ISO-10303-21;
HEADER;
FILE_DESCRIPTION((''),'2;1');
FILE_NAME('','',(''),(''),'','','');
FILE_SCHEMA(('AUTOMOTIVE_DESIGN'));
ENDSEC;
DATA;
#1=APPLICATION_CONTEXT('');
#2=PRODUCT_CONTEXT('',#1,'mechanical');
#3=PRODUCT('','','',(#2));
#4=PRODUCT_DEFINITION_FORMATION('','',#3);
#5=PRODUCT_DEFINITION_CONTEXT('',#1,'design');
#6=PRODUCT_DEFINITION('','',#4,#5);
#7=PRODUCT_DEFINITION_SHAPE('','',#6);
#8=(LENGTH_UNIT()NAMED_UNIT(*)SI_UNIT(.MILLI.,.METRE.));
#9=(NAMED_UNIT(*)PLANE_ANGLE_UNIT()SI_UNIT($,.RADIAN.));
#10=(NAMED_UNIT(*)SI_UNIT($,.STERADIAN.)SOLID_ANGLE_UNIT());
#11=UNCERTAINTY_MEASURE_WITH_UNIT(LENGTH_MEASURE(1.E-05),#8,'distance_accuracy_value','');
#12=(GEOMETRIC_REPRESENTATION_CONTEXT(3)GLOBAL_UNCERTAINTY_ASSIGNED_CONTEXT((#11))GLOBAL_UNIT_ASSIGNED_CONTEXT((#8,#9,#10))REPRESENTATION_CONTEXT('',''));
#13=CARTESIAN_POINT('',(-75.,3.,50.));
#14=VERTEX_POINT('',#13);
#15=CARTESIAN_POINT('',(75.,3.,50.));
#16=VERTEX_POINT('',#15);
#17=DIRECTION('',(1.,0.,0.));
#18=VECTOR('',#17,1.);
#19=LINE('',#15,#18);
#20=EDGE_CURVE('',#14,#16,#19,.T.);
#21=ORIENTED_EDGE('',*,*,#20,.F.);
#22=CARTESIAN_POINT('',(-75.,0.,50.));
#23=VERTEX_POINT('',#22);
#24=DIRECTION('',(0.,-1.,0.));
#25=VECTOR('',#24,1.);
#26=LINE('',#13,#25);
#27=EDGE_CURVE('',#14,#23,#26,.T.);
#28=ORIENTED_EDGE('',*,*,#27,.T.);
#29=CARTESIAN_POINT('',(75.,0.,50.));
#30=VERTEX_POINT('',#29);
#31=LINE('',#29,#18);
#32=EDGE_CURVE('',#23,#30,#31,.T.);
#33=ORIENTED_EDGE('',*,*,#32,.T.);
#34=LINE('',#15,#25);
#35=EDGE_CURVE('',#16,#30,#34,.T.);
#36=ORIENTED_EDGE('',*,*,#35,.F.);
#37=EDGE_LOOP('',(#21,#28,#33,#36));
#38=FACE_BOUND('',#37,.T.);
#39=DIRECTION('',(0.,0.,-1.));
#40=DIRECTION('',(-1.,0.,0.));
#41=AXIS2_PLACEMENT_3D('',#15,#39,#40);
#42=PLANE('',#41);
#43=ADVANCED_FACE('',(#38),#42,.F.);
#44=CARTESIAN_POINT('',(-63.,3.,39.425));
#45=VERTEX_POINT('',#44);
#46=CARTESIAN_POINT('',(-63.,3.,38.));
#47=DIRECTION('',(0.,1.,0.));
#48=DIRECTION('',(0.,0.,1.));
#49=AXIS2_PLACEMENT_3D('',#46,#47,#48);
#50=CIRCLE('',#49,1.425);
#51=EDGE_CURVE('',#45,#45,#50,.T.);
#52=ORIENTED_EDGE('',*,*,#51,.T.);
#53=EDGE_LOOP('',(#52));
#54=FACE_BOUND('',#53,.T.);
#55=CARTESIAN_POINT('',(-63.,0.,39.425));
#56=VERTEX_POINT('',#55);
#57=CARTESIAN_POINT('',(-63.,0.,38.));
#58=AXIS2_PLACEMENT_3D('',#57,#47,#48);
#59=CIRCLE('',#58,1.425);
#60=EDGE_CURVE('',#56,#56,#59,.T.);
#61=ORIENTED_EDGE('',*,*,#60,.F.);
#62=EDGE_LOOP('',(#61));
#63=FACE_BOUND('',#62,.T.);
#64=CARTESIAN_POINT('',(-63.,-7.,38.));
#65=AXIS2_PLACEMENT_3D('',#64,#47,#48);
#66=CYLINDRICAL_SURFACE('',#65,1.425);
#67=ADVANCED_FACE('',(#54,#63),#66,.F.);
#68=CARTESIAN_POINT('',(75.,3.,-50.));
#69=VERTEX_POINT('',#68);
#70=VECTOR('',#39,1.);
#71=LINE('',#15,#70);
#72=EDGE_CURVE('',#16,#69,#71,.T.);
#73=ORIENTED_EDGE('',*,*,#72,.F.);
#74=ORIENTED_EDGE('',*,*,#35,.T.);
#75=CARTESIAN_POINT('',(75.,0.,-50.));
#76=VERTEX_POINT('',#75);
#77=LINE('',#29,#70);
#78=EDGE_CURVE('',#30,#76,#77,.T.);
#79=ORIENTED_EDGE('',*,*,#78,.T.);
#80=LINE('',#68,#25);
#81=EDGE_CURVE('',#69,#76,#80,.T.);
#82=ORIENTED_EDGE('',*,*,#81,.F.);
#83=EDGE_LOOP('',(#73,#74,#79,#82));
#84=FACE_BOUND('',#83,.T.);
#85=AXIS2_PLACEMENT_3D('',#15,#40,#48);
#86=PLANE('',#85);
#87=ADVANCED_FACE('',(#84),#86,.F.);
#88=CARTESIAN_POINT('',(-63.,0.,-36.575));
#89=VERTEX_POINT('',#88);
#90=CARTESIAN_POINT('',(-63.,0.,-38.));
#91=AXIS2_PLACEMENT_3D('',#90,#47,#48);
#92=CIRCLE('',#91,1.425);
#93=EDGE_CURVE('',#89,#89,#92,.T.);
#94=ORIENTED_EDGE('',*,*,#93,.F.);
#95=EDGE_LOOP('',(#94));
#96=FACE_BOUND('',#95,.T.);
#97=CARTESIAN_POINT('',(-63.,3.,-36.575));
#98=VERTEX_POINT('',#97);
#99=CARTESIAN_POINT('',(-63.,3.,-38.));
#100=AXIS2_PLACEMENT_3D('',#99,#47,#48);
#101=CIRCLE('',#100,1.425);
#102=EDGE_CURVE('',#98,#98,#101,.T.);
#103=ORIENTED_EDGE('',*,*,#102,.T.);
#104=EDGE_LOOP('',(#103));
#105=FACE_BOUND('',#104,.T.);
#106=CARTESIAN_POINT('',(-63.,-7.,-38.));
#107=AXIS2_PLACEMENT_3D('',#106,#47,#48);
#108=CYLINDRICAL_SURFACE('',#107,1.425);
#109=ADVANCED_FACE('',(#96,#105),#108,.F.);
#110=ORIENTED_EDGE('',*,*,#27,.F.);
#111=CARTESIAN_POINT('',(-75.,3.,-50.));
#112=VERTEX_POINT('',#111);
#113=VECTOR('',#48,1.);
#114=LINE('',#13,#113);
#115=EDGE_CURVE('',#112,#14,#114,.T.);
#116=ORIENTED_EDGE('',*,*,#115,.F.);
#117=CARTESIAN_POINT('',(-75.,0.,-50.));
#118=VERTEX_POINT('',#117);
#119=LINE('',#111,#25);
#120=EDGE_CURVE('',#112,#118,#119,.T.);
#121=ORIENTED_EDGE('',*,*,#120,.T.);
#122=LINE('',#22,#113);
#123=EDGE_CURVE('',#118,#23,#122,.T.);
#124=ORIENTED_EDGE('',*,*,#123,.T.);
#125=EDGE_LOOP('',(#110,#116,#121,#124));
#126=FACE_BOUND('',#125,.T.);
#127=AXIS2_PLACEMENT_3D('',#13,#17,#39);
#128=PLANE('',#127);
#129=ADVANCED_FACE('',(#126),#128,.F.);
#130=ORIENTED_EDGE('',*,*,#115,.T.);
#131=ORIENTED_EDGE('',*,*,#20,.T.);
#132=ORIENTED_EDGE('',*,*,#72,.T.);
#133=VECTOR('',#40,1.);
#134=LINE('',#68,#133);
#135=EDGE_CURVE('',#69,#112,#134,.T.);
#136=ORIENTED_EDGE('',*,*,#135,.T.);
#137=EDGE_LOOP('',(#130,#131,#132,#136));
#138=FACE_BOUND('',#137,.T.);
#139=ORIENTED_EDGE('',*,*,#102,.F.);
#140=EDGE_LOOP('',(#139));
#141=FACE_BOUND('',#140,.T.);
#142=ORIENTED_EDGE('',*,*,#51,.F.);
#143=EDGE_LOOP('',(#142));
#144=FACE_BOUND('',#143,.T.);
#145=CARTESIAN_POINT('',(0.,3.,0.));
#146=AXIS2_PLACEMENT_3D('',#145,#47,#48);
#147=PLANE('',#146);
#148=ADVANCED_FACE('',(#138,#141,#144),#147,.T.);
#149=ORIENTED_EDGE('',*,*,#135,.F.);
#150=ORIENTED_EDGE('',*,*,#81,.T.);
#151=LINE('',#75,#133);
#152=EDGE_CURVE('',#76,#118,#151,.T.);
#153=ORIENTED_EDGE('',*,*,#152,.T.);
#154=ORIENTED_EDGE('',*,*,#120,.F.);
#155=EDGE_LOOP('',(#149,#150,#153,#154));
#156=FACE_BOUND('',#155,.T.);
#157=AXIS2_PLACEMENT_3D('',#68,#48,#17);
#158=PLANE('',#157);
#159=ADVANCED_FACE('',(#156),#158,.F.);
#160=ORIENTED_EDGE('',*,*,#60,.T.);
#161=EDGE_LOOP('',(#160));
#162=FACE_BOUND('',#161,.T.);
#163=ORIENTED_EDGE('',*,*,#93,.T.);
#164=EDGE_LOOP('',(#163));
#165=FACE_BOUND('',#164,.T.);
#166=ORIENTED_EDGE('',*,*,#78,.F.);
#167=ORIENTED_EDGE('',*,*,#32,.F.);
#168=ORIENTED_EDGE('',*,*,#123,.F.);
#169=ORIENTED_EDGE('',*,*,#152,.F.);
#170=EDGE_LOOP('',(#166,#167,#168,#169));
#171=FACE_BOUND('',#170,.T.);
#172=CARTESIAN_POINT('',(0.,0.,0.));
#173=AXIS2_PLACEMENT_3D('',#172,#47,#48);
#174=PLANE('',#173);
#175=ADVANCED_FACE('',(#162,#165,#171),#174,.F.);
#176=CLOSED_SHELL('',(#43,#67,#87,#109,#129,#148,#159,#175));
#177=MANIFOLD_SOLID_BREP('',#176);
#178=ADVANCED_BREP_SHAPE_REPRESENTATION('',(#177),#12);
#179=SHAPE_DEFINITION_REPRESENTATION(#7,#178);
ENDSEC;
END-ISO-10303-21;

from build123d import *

# Parameters (mm, degrees)
SKETCH1_W           = 150
SKETCH1_H           = 100
BOSS_EXTRUDE1_DEPTH = 3
SKETCH2_R           = 1.425
CUT_EXTRUDE1_DEPTH  = 10
LPATTERN1_COUNT     = 2
LPATTERN1_PITCH     = 76


with BuildPart() as part:
    # Sketch1 → Boss-Extrude1 (new body)
    with BuildSketch(Plane(origin=(0, 0, 0), x_dir=(1, 0, 0), z_dir=(0, 1, 0))):
        Rectangle(SKETCH1_W, SKETCH1_H)
    extrude(amount=BOSS_EXTRUDE1_DEPTH)

    # Sketch2 → Cut-Extrude1 (cut)
    with BuildSketch(Plane(origin=(0, 3, 0), x_dir=(1, 0, 0), z_dir=(0, 1, 0))):
        with Locations(Location((-63, 38, 0), (0, 0, 270))):
            Circle(SKETCH2_R)
    cut_extrude1 = extrude(amount=-CUT_EXTRUDE1_DEPTH, mode=Mode.SUBTRACT)

    # LPattern1: Cut-Extrude1 ×2
    with Locations(*[(0, 0, i * LPATTERN1_PITCH) for i in range(1, LPATTERN1_COUNT)]):
        add(cut_extrude1, mode=Mode.SUBTRACT)


solid = part.part
